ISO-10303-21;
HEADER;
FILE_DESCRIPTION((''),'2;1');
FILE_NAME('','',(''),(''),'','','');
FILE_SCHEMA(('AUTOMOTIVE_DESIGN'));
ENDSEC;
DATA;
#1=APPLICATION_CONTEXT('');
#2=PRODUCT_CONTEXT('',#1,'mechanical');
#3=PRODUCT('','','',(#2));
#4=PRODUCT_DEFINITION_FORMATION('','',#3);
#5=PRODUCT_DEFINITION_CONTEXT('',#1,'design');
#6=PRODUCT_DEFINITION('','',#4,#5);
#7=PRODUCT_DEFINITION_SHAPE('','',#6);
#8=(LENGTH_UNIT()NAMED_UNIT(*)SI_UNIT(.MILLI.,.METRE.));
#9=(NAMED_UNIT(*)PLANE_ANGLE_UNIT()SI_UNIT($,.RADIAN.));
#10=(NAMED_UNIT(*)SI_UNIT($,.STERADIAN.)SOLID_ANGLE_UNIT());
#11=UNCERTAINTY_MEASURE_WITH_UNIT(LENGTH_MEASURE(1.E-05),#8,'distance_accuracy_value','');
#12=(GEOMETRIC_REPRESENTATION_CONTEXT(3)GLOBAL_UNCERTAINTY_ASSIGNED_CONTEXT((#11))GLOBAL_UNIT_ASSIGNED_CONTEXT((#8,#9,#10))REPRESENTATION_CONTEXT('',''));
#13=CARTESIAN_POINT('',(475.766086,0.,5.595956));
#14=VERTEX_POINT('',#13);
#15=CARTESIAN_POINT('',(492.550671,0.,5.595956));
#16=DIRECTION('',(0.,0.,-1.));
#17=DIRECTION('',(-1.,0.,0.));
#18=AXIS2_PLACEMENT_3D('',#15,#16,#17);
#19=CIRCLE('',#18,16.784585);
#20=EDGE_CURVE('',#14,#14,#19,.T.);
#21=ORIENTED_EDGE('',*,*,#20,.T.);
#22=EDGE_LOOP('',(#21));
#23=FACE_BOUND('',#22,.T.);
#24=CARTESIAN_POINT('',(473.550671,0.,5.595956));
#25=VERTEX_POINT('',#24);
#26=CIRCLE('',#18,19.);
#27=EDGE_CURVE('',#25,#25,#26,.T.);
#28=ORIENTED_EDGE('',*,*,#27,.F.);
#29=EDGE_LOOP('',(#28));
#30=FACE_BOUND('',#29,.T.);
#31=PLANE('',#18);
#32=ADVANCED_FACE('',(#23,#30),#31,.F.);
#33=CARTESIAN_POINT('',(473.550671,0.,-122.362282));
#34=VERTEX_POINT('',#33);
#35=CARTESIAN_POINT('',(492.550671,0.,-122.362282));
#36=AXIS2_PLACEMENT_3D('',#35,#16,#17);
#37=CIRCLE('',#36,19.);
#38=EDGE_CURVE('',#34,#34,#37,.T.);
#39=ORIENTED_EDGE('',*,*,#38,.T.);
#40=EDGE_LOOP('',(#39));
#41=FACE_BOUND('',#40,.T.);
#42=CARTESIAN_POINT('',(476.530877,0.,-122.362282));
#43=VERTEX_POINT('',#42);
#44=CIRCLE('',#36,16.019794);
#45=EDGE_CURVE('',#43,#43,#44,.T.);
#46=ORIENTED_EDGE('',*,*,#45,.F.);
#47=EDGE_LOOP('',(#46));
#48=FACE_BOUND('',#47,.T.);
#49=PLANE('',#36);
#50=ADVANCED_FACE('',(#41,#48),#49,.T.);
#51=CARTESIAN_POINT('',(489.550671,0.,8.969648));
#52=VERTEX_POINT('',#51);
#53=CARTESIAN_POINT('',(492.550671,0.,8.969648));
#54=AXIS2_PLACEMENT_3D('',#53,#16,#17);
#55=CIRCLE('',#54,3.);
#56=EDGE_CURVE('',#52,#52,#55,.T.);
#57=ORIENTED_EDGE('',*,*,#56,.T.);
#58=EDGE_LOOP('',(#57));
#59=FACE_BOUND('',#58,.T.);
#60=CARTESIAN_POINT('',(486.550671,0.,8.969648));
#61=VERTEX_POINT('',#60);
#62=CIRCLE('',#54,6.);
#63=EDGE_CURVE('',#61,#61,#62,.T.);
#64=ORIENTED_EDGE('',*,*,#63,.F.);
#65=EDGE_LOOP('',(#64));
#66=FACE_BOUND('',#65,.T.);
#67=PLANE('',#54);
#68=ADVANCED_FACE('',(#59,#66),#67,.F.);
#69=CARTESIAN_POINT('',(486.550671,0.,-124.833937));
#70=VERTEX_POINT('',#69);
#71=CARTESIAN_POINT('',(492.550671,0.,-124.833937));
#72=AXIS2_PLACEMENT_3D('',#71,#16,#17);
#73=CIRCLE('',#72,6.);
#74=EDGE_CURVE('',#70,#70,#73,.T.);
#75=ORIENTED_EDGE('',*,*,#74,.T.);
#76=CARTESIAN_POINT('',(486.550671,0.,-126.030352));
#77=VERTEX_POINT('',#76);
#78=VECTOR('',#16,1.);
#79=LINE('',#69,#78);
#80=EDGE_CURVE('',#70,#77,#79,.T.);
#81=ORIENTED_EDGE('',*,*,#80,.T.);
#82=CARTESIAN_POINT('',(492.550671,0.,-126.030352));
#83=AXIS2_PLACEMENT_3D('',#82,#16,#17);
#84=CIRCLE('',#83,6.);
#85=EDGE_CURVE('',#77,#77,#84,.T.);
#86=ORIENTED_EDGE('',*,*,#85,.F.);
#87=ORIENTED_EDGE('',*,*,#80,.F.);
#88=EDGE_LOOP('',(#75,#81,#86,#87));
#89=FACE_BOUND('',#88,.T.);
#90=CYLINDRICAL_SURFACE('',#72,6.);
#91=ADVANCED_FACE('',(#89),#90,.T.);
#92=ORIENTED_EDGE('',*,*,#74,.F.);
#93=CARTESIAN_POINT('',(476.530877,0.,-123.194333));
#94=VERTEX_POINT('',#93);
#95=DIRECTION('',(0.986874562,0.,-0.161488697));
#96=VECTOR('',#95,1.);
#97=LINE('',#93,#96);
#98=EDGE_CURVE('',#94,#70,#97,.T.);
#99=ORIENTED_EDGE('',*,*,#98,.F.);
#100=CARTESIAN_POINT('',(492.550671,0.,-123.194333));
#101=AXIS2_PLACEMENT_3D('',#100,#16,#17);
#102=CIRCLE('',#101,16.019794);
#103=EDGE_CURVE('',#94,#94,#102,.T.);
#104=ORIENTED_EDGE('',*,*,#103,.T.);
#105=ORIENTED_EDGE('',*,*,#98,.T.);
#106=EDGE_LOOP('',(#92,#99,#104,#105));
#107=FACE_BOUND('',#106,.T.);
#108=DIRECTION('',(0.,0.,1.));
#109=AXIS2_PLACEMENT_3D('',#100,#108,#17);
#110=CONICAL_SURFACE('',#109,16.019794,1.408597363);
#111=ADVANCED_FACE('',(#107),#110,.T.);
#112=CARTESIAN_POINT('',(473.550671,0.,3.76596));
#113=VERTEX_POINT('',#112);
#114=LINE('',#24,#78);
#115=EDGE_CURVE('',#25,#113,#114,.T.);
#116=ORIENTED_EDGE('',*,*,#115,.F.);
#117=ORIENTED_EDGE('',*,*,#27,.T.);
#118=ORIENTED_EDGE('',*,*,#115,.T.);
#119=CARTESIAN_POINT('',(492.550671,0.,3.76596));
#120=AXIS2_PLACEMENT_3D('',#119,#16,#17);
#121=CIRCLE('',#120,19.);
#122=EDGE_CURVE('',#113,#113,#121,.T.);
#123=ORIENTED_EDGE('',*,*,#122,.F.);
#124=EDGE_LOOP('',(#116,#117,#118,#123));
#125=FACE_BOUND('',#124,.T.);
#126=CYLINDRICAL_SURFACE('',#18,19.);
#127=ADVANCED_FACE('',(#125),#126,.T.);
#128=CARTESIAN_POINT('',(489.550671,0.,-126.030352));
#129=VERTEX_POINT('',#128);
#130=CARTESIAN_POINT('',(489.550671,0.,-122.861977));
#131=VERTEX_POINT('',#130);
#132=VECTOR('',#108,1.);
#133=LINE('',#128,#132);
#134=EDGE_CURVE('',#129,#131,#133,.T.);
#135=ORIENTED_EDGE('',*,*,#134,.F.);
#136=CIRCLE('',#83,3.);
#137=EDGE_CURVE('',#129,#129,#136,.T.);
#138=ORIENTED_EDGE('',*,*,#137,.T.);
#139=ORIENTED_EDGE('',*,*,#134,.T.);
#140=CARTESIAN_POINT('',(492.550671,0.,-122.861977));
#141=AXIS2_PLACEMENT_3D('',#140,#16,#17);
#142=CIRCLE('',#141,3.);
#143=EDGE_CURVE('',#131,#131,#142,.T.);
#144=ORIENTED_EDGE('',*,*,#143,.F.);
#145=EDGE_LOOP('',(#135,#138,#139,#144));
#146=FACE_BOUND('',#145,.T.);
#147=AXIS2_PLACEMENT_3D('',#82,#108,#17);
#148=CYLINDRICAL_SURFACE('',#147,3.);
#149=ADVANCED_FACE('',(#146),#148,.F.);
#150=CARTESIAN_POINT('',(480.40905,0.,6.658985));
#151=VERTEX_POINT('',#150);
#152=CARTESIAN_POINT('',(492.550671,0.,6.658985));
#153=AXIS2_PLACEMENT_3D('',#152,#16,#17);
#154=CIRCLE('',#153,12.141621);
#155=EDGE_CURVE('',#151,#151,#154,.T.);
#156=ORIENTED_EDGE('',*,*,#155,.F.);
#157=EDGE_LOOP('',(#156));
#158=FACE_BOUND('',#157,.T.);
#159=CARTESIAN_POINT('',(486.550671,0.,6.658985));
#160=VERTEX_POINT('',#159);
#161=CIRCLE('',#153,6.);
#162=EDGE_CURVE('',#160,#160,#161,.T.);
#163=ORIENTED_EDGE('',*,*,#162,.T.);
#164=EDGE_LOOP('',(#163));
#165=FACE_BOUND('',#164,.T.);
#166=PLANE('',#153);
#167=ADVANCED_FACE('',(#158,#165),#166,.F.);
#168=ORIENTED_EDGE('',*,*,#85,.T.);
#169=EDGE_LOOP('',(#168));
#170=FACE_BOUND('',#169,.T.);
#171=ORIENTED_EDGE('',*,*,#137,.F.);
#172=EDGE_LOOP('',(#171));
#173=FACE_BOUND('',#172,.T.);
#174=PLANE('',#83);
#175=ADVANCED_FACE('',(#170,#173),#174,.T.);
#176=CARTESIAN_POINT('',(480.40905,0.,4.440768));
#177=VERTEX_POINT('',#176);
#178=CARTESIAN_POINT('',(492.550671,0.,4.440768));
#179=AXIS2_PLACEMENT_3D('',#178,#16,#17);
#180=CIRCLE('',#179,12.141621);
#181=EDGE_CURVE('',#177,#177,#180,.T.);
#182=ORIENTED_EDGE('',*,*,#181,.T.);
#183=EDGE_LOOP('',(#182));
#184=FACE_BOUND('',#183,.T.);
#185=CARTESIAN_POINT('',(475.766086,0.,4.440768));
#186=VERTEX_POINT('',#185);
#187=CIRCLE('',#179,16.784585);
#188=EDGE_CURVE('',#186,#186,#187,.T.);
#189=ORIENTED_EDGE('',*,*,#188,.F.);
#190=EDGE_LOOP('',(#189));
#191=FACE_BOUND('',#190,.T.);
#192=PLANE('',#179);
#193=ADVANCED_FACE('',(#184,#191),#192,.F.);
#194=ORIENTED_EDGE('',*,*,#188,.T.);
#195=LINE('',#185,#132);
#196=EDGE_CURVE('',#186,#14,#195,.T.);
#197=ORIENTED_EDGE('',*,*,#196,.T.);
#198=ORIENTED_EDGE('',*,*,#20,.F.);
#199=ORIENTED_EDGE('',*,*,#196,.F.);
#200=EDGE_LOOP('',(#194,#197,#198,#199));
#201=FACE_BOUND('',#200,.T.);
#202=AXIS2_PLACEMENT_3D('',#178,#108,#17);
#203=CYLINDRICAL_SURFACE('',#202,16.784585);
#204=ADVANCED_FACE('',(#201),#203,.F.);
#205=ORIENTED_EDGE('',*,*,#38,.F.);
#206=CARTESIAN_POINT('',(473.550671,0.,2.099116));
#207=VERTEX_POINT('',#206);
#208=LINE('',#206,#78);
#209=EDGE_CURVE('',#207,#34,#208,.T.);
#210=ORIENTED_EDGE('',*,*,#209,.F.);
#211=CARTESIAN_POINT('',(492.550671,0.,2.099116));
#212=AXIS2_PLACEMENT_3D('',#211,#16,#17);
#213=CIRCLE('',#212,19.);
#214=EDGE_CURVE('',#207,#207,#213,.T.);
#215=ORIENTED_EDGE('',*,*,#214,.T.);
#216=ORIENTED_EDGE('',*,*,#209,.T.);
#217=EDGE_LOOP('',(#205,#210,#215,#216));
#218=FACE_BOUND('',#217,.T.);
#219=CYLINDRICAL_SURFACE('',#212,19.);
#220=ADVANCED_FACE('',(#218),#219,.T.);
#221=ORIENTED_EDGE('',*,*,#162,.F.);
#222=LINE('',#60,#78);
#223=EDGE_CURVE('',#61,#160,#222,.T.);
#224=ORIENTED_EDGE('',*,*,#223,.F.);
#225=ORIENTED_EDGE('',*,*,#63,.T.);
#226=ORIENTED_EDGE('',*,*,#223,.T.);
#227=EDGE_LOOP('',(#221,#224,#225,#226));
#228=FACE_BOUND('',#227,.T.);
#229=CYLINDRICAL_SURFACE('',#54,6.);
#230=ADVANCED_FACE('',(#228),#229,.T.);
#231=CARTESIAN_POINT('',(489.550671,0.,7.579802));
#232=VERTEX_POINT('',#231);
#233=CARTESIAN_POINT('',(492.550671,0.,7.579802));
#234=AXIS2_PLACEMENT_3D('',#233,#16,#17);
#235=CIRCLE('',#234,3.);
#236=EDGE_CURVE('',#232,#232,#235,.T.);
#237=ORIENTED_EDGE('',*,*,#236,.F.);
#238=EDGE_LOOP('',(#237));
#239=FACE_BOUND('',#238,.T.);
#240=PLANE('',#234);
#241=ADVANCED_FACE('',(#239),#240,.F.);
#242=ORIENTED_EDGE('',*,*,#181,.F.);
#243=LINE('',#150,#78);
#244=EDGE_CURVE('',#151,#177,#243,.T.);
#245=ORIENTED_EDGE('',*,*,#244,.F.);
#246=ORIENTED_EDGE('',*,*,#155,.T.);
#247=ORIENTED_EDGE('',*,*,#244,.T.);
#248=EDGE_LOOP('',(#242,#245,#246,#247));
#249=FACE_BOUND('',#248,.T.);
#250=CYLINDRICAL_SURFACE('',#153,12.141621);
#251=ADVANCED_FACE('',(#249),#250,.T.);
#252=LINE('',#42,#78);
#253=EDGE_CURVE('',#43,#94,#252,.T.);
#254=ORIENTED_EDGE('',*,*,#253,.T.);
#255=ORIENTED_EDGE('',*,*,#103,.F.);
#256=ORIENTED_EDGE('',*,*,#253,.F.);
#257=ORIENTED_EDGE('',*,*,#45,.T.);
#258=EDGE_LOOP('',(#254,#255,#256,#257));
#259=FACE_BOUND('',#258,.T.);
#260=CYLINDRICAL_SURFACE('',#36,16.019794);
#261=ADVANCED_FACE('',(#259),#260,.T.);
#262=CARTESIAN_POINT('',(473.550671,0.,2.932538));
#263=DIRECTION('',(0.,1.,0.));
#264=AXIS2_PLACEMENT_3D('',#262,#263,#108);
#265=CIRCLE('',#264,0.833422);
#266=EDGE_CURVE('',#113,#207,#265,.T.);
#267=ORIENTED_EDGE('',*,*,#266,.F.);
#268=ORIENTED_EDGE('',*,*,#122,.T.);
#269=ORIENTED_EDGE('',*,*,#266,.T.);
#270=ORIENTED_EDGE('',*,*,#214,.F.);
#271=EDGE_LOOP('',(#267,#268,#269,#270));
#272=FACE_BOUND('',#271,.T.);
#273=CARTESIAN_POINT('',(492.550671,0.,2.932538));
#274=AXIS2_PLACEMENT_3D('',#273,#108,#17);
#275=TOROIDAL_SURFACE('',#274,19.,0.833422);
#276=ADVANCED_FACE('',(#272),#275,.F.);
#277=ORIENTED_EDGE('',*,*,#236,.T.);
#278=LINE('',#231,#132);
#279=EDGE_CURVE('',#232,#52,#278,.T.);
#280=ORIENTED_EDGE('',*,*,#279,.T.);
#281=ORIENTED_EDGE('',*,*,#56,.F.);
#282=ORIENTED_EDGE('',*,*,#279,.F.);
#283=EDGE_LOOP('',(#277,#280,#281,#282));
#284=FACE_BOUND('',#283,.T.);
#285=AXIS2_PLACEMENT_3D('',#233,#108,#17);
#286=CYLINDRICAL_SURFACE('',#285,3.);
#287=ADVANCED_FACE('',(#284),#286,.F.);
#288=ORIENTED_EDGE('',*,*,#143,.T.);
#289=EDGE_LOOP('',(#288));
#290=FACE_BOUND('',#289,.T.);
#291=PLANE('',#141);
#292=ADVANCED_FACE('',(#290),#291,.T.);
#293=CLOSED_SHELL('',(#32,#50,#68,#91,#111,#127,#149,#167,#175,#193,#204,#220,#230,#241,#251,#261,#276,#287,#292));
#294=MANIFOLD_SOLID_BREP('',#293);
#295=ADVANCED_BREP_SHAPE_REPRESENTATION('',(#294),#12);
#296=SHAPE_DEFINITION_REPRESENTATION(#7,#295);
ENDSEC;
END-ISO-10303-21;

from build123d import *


with BuildPart() as f1:
    # F0 (on Front) → F1 (revolve)
    with BuildSketch(Plane.XZ):
        with BuildLine():
            Line((489.550671, 7.579802), (489.550671, 8.969648))
            Line((489.550671, 8.969648), (486.550671, 8.969648))
            Line((486.550671, 8.969648), (486.550671, 6.658985))
            Line((486.550671, 6.658985), (480.40905, 6.658985))
            Line((480.40905, 6.658985), (480.40905, 4.440768))
            Line((480.40905, 4.440768), (475.766086, 4.440768))
            Line((475.766086, 4.440768), (475.766086, 5.595956))
            Line((475.766086, 5.595956), (473.550671, 5.595956))
            Line((473.550671, 5.595956), (473.550671, 3.76596))
            ThreePointArc((473.550671, 3.76596), (474.384093, 2.932538), (473.550671, 2.099116))
            Line((473.550671, 2.099116), (473.550671, -122.362282))
            Line((473.550671, -122.362282), (476.530877, -122.362282))
            Line((476.530877, -122.362282), (476.530877, -123.194333))
            Line((476.530877, -123.194333), (486.550671, -124.833937))
            Line((486.550671, -124.833937), (486.550671, -126.030352))
            Line((486.550671, -126.030352), (489.550671, -126.030352))
            Line((489.550671, -126.030352), (489.550671, -122.861977))
            Line((489.550671, -122.861977), (492.550671, -122.861977))
            Line((492.550671, -122.861977), (492.550671, 7.579802))
            Line((492.550671, 7.579802), (489.550671, 7.579802))
        make_face()
    revolve(axis=Axis((492.550671, 0, -54.35379), (0, 0, -1)))


solid = f1.part
